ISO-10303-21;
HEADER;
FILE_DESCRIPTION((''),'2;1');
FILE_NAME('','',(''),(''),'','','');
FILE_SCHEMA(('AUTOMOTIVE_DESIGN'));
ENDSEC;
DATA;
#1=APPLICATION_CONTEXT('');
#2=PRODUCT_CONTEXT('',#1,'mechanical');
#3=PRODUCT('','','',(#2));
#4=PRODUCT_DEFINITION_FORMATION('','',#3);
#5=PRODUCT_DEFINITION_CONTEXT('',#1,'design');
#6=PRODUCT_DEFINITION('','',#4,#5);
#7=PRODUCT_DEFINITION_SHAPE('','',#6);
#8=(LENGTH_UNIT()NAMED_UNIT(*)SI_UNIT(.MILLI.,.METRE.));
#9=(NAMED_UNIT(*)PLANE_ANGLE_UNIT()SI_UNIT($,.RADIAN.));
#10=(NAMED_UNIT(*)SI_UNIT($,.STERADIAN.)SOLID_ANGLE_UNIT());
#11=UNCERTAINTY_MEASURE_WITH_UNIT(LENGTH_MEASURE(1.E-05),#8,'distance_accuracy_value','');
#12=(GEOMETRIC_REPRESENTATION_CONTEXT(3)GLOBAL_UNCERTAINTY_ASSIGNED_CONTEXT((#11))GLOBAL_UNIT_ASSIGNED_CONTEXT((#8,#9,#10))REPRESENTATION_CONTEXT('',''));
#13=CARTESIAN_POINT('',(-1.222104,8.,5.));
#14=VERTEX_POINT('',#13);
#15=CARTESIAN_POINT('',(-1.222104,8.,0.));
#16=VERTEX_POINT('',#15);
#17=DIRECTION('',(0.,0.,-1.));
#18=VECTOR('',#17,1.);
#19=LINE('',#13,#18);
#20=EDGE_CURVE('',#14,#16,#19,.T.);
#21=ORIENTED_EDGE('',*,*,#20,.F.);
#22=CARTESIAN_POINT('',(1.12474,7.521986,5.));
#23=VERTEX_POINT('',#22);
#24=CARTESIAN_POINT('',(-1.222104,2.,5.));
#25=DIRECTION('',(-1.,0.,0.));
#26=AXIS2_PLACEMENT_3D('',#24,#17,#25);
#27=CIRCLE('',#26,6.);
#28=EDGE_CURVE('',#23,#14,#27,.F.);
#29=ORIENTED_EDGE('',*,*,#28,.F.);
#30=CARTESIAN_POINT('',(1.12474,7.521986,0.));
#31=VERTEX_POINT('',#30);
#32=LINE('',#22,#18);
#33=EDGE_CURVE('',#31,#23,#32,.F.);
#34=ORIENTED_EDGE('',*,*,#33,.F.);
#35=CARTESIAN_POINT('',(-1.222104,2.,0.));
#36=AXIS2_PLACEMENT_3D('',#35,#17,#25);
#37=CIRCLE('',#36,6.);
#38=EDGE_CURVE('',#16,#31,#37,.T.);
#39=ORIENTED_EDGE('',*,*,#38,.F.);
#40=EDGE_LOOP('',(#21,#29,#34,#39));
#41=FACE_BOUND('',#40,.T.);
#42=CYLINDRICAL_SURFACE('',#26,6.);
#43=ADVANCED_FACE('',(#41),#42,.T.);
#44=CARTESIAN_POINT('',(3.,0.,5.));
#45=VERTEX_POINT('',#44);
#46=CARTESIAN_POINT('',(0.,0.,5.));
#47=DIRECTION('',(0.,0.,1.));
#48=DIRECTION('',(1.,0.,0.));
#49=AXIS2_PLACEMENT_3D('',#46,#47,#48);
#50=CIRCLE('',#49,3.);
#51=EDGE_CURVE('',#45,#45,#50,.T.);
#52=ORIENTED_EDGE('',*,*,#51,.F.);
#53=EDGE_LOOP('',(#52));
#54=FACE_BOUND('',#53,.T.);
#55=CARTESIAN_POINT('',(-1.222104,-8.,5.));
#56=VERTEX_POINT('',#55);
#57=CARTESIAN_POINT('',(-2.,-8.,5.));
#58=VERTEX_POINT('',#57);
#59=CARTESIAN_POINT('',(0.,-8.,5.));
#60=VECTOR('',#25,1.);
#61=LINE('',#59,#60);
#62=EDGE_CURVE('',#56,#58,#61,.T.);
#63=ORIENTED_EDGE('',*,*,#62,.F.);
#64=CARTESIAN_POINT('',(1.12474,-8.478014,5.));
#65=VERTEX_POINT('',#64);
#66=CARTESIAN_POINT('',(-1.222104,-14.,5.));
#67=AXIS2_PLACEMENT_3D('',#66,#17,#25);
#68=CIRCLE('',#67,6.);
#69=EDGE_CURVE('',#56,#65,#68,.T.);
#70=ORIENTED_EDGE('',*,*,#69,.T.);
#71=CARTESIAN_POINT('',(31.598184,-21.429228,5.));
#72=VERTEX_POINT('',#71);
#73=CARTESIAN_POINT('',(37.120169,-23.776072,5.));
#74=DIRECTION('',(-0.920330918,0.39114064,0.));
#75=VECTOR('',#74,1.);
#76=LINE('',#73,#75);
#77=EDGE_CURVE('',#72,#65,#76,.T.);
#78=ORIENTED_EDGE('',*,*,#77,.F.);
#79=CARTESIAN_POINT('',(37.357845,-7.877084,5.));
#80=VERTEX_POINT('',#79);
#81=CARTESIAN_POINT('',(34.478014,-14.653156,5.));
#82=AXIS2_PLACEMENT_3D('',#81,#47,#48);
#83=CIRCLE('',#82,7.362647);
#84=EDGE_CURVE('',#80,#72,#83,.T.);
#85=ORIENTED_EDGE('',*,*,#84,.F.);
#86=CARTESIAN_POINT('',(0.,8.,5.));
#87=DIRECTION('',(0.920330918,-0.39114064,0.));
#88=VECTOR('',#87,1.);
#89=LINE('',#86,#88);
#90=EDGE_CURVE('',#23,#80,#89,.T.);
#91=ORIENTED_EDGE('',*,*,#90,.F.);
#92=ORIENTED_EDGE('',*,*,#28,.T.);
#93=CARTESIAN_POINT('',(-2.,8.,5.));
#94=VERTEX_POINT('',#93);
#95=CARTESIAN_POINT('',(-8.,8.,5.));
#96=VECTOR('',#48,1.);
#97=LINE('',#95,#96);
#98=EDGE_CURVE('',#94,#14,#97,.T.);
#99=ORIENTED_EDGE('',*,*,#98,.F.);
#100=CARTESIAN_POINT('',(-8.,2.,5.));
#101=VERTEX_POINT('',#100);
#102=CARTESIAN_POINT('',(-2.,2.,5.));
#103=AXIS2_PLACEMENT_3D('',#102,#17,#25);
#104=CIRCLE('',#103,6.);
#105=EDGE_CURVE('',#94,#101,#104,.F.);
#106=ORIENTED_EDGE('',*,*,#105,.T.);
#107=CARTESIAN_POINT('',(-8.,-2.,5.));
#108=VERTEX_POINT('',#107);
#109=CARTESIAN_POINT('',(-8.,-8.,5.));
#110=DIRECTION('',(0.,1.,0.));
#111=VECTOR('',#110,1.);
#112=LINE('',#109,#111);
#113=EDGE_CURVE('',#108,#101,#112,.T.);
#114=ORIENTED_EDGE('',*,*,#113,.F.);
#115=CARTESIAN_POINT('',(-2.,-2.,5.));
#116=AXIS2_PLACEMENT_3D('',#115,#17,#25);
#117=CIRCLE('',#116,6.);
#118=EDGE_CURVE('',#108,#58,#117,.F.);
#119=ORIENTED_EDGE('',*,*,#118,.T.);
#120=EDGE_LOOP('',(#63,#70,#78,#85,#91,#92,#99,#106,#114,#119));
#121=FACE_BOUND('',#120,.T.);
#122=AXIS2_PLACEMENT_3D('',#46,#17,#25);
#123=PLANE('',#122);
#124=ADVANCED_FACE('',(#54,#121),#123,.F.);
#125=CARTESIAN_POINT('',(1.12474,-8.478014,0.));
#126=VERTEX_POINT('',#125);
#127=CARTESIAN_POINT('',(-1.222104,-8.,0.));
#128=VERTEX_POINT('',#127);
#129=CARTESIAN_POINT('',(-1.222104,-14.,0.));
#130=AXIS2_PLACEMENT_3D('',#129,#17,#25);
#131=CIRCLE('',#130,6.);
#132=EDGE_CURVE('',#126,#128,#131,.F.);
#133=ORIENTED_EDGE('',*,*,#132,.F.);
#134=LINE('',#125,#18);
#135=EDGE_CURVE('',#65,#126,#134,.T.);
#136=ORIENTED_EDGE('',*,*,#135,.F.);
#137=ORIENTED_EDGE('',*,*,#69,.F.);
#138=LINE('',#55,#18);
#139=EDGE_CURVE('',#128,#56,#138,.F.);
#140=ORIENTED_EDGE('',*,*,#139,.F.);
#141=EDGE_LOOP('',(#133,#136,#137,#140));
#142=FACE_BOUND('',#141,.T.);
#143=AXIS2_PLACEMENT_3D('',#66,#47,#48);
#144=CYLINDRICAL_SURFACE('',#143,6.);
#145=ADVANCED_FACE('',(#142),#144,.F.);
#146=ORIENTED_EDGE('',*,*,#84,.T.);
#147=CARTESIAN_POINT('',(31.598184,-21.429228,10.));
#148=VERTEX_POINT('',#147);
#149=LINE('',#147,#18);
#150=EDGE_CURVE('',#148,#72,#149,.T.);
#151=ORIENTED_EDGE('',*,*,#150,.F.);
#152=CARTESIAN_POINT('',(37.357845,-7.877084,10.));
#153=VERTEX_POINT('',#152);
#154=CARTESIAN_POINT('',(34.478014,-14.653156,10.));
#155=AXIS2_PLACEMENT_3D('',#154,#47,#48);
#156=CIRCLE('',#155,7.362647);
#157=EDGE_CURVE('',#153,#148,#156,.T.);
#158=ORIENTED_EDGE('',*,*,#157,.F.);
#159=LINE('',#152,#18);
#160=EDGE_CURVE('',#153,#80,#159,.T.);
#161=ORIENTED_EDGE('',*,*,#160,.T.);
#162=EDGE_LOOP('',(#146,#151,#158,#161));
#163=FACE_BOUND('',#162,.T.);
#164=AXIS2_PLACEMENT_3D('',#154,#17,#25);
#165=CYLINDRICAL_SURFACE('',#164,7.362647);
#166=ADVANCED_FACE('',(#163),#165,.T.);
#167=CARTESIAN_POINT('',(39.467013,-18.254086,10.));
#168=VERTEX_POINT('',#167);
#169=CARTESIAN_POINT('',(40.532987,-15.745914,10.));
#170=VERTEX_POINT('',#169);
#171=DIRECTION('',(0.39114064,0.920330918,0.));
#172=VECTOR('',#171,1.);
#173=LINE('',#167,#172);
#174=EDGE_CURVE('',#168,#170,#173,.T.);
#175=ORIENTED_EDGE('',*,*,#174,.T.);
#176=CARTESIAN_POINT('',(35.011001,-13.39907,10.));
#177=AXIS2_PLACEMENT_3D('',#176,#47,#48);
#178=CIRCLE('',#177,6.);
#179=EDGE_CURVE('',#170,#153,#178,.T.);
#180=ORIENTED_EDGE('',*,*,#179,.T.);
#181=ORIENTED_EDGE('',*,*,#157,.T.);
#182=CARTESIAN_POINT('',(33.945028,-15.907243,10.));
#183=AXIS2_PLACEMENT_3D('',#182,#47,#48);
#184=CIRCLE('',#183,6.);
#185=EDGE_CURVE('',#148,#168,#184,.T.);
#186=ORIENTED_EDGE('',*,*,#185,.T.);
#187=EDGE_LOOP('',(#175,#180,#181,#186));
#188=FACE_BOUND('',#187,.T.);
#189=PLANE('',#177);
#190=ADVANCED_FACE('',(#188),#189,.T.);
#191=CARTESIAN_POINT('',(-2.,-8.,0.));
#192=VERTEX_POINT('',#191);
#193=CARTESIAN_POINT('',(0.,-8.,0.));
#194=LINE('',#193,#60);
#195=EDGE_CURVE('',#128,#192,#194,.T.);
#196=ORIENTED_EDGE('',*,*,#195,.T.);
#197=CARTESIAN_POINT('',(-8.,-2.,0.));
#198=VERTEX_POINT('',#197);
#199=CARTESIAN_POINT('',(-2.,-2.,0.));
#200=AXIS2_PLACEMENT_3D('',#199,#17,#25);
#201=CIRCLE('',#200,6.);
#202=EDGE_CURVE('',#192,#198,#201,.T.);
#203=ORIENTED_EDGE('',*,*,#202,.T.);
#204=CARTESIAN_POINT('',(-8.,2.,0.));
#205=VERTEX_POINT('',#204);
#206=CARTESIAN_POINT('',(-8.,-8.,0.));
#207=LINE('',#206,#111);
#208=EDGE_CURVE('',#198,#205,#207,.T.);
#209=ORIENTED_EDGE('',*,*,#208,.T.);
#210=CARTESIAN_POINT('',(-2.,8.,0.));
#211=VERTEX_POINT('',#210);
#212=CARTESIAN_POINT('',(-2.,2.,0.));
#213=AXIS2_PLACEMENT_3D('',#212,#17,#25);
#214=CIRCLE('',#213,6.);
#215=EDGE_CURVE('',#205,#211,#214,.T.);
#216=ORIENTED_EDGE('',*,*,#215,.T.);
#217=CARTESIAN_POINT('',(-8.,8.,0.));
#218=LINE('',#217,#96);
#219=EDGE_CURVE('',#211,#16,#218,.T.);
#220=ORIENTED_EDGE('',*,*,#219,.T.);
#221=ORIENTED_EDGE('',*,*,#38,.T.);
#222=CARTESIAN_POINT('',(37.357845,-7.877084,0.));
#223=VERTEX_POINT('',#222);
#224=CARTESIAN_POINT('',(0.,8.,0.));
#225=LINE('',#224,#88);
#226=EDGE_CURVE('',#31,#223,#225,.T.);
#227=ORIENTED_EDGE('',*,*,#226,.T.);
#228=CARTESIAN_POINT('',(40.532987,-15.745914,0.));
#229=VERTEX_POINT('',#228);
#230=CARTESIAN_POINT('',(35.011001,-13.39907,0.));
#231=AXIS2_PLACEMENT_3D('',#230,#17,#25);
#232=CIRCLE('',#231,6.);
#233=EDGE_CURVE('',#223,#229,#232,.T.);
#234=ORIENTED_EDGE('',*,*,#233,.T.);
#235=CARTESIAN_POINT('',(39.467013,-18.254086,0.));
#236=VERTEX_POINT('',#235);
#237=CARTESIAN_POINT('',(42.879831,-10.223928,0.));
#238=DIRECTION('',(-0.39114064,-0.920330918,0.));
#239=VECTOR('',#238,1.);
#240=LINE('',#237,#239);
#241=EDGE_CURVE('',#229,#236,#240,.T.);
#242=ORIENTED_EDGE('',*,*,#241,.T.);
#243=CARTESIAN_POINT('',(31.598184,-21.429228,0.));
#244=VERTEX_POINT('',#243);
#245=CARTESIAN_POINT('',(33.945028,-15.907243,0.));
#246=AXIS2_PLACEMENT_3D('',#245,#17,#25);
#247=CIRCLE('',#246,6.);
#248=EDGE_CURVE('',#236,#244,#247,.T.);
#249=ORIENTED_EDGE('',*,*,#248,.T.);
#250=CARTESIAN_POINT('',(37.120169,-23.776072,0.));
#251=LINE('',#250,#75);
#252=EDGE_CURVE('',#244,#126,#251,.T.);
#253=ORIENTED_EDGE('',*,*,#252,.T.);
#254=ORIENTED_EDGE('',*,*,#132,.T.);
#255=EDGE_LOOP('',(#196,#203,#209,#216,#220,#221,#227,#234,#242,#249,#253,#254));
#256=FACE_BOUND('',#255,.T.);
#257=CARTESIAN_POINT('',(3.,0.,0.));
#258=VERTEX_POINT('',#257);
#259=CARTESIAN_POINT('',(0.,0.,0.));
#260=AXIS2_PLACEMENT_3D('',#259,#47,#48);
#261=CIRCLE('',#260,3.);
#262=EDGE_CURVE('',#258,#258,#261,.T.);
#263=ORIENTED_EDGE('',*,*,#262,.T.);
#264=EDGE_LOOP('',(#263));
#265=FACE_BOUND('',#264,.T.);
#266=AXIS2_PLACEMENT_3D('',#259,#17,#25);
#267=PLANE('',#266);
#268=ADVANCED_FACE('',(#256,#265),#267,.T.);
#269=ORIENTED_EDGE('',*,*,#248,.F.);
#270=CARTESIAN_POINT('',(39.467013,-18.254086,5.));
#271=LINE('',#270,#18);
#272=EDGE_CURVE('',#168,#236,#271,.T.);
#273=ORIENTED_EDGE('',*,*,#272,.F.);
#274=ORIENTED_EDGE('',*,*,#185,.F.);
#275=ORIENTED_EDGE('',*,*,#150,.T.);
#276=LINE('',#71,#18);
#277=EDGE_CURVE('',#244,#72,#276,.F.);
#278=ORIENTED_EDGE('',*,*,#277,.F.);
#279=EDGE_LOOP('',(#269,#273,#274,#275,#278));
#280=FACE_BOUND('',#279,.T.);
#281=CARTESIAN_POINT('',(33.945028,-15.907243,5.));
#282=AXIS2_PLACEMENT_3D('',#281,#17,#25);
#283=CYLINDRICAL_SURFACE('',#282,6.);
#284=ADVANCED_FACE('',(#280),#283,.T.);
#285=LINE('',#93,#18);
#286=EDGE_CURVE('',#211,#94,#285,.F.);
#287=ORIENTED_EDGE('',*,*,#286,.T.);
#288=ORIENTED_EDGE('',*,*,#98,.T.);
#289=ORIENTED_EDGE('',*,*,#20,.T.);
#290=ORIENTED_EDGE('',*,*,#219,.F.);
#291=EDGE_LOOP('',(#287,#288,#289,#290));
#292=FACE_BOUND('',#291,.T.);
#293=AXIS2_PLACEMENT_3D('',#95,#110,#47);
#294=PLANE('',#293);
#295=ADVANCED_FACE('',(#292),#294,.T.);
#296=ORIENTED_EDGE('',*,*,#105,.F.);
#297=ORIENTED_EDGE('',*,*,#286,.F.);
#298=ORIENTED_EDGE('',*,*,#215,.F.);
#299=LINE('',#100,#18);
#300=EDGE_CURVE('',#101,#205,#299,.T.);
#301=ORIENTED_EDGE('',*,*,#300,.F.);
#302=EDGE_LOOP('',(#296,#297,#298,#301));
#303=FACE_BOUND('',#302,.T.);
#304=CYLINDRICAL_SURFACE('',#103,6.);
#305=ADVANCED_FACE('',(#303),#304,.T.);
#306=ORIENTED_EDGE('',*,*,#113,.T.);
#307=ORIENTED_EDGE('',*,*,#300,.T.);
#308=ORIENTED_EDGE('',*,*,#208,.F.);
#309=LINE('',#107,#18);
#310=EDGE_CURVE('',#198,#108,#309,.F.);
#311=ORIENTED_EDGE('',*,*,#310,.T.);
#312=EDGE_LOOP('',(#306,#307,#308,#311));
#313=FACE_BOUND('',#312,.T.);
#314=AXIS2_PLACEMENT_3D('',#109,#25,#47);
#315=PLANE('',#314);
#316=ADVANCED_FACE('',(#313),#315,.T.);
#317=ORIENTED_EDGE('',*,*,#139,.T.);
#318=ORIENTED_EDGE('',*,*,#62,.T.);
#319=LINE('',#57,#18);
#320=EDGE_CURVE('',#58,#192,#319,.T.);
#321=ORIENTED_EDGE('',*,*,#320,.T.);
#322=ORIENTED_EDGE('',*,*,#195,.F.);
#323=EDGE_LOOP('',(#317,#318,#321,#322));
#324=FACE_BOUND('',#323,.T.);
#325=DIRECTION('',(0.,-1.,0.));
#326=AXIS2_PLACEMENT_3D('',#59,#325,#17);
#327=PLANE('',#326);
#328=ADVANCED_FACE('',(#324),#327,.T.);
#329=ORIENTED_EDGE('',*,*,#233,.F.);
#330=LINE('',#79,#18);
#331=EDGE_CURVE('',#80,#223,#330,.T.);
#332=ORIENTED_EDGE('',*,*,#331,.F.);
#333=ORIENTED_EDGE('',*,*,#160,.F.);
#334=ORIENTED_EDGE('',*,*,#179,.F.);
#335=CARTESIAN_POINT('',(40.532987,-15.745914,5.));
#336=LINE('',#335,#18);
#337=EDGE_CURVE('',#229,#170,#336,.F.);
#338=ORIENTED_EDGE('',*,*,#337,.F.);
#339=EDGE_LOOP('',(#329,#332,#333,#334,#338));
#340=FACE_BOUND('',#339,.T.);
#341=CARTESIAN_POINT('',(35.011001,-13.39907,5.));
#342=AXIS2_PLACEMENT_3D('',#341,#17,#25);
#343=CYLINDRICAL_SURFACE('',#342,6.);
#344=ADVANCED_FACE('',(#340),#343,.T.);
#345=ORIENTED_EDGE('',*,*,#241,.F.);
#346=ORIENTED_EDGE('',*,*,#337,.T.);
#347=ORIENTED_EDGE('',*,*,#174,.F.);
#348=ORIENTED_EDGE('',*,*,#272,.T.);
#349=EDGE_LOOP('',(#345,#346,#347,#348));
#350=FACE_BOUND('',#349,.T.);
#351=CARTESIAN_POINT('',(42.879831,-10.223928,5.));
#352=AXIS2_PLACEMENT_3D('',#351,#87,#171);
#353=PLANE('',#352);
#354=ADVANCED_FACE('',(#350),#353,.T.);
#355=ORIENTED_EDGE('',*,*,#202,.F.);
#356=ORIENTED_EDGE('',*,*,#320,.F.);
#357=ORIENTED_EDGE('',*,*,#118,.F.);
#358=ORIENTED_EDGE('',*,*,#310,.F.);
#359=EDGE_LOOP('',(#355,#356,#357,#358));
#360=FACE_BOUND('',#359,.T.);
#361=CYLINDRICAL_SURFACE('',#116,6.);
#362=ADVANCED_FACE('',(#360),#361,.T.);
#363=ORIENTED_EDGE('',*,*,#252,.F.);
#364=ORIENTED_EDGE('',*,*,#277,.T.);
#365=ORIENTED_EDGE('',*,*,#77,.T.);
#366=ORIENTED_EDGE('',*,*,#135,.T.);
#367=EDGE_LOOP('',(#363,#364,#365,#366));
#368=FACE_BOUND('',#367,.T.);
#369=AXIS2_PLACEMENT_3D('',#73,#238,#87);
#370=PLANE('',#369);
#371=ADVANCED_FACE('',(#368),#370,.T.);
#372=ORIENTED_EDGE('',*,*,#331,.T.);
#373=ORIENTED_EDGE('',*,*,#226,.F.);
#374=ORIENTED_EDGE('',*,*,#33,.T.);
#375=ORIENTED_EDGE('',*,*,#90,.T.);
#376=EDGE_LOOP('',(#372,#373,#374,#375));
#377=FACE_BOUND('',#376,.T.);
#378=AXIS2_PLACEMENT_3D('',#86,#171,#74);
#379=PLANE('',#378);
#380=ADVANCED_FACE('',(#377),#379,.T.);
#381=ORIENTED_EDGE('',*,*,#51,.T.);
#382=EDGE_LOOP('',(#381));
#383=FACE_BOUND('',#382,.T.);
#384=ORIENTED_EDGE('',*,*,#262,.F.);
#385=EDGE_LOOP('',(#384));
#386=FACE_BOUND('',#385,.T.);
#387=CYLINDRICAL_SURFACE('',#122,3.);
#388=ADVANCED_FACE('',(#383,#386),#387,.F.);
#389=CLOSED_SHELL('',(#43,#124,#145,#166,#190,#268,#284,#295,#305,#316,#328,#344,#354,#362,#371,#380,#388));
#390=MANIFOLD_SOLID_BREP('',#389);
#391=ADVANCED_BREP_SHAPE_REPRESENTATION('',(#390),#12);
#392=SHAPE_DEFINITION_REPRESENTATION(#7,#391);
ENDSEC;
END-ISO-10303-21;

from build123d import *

# Parameters (mm, degrees)
ESBO_O1_R                = 3
RESSALTO_EXTRUS_O1_DEPTH = 5
FILETE1_R                = 6
RESSALTO_EXTRUS_O2_START = 5
RESSALTO_EXTRUS_O2_DEPTH = 5


with BuildPart() as part:
    # Esboço1 → Ressalto-extrusão1 (new body)
    with BuildSketch(Plane.XY):
        Polygon((-8, -8), (-8, 8), (0, 8), (42.879830598, -10.223928004), (37.120169402, -23.776071996), (0, -8), align=None)
        Circle(ESBO_O1_R, mode=Mode.SUBTRACT)
    extrude(amount=RESSALTO_EXTRUS_O1_DEPTH)

    # Filete1
    filete1_edges = [part.edges().sort_by_distance(p)[0] for p in [
        (-8, -8, 2.5),
        (0, -8, 2.5),
        (37.120169402, -23.776071996, 2.5),
        (42.879830598, -10.223928004, 2.5),
        (0, 8, 2.5),
        (-8, 8, 2.5),
    ]]
    fillet(filete1_edges, radius=FILETE1_R)

    # Esboço2 → Ressalto-extrusão2 (add)
    with BuildSketch(Plane.XY.offset(5).offset(RESSALTO_EXTRUS_O2_START)):
        with BuildLine():
            Line((39.467013244, -18.254086485), (40.532986756, -15.745913515))
            ThreePointArc((40.532986756, -15.745913515), (40.575103841, -11.153905468), (37.357845087, -7.877084162))
            ThreePointArc((37.357845087, -7.877084162), (36.552086472, -7.588681558), (35.718304651, -7.395728495))
            ThreePointArc((35.718304651, -7.395728495), (27.413539889, -12.579084175), (31.598183891, -21.429228154))
            ThreePointArc((31.598183891, -21.429228154), (36.190191938, -21.471345238), (39.467013244, -18.254086485))
        make_face()
    extrude(amount=-RESSALTO_EXTRUS_O2_DEPTH)


solid = part.part
